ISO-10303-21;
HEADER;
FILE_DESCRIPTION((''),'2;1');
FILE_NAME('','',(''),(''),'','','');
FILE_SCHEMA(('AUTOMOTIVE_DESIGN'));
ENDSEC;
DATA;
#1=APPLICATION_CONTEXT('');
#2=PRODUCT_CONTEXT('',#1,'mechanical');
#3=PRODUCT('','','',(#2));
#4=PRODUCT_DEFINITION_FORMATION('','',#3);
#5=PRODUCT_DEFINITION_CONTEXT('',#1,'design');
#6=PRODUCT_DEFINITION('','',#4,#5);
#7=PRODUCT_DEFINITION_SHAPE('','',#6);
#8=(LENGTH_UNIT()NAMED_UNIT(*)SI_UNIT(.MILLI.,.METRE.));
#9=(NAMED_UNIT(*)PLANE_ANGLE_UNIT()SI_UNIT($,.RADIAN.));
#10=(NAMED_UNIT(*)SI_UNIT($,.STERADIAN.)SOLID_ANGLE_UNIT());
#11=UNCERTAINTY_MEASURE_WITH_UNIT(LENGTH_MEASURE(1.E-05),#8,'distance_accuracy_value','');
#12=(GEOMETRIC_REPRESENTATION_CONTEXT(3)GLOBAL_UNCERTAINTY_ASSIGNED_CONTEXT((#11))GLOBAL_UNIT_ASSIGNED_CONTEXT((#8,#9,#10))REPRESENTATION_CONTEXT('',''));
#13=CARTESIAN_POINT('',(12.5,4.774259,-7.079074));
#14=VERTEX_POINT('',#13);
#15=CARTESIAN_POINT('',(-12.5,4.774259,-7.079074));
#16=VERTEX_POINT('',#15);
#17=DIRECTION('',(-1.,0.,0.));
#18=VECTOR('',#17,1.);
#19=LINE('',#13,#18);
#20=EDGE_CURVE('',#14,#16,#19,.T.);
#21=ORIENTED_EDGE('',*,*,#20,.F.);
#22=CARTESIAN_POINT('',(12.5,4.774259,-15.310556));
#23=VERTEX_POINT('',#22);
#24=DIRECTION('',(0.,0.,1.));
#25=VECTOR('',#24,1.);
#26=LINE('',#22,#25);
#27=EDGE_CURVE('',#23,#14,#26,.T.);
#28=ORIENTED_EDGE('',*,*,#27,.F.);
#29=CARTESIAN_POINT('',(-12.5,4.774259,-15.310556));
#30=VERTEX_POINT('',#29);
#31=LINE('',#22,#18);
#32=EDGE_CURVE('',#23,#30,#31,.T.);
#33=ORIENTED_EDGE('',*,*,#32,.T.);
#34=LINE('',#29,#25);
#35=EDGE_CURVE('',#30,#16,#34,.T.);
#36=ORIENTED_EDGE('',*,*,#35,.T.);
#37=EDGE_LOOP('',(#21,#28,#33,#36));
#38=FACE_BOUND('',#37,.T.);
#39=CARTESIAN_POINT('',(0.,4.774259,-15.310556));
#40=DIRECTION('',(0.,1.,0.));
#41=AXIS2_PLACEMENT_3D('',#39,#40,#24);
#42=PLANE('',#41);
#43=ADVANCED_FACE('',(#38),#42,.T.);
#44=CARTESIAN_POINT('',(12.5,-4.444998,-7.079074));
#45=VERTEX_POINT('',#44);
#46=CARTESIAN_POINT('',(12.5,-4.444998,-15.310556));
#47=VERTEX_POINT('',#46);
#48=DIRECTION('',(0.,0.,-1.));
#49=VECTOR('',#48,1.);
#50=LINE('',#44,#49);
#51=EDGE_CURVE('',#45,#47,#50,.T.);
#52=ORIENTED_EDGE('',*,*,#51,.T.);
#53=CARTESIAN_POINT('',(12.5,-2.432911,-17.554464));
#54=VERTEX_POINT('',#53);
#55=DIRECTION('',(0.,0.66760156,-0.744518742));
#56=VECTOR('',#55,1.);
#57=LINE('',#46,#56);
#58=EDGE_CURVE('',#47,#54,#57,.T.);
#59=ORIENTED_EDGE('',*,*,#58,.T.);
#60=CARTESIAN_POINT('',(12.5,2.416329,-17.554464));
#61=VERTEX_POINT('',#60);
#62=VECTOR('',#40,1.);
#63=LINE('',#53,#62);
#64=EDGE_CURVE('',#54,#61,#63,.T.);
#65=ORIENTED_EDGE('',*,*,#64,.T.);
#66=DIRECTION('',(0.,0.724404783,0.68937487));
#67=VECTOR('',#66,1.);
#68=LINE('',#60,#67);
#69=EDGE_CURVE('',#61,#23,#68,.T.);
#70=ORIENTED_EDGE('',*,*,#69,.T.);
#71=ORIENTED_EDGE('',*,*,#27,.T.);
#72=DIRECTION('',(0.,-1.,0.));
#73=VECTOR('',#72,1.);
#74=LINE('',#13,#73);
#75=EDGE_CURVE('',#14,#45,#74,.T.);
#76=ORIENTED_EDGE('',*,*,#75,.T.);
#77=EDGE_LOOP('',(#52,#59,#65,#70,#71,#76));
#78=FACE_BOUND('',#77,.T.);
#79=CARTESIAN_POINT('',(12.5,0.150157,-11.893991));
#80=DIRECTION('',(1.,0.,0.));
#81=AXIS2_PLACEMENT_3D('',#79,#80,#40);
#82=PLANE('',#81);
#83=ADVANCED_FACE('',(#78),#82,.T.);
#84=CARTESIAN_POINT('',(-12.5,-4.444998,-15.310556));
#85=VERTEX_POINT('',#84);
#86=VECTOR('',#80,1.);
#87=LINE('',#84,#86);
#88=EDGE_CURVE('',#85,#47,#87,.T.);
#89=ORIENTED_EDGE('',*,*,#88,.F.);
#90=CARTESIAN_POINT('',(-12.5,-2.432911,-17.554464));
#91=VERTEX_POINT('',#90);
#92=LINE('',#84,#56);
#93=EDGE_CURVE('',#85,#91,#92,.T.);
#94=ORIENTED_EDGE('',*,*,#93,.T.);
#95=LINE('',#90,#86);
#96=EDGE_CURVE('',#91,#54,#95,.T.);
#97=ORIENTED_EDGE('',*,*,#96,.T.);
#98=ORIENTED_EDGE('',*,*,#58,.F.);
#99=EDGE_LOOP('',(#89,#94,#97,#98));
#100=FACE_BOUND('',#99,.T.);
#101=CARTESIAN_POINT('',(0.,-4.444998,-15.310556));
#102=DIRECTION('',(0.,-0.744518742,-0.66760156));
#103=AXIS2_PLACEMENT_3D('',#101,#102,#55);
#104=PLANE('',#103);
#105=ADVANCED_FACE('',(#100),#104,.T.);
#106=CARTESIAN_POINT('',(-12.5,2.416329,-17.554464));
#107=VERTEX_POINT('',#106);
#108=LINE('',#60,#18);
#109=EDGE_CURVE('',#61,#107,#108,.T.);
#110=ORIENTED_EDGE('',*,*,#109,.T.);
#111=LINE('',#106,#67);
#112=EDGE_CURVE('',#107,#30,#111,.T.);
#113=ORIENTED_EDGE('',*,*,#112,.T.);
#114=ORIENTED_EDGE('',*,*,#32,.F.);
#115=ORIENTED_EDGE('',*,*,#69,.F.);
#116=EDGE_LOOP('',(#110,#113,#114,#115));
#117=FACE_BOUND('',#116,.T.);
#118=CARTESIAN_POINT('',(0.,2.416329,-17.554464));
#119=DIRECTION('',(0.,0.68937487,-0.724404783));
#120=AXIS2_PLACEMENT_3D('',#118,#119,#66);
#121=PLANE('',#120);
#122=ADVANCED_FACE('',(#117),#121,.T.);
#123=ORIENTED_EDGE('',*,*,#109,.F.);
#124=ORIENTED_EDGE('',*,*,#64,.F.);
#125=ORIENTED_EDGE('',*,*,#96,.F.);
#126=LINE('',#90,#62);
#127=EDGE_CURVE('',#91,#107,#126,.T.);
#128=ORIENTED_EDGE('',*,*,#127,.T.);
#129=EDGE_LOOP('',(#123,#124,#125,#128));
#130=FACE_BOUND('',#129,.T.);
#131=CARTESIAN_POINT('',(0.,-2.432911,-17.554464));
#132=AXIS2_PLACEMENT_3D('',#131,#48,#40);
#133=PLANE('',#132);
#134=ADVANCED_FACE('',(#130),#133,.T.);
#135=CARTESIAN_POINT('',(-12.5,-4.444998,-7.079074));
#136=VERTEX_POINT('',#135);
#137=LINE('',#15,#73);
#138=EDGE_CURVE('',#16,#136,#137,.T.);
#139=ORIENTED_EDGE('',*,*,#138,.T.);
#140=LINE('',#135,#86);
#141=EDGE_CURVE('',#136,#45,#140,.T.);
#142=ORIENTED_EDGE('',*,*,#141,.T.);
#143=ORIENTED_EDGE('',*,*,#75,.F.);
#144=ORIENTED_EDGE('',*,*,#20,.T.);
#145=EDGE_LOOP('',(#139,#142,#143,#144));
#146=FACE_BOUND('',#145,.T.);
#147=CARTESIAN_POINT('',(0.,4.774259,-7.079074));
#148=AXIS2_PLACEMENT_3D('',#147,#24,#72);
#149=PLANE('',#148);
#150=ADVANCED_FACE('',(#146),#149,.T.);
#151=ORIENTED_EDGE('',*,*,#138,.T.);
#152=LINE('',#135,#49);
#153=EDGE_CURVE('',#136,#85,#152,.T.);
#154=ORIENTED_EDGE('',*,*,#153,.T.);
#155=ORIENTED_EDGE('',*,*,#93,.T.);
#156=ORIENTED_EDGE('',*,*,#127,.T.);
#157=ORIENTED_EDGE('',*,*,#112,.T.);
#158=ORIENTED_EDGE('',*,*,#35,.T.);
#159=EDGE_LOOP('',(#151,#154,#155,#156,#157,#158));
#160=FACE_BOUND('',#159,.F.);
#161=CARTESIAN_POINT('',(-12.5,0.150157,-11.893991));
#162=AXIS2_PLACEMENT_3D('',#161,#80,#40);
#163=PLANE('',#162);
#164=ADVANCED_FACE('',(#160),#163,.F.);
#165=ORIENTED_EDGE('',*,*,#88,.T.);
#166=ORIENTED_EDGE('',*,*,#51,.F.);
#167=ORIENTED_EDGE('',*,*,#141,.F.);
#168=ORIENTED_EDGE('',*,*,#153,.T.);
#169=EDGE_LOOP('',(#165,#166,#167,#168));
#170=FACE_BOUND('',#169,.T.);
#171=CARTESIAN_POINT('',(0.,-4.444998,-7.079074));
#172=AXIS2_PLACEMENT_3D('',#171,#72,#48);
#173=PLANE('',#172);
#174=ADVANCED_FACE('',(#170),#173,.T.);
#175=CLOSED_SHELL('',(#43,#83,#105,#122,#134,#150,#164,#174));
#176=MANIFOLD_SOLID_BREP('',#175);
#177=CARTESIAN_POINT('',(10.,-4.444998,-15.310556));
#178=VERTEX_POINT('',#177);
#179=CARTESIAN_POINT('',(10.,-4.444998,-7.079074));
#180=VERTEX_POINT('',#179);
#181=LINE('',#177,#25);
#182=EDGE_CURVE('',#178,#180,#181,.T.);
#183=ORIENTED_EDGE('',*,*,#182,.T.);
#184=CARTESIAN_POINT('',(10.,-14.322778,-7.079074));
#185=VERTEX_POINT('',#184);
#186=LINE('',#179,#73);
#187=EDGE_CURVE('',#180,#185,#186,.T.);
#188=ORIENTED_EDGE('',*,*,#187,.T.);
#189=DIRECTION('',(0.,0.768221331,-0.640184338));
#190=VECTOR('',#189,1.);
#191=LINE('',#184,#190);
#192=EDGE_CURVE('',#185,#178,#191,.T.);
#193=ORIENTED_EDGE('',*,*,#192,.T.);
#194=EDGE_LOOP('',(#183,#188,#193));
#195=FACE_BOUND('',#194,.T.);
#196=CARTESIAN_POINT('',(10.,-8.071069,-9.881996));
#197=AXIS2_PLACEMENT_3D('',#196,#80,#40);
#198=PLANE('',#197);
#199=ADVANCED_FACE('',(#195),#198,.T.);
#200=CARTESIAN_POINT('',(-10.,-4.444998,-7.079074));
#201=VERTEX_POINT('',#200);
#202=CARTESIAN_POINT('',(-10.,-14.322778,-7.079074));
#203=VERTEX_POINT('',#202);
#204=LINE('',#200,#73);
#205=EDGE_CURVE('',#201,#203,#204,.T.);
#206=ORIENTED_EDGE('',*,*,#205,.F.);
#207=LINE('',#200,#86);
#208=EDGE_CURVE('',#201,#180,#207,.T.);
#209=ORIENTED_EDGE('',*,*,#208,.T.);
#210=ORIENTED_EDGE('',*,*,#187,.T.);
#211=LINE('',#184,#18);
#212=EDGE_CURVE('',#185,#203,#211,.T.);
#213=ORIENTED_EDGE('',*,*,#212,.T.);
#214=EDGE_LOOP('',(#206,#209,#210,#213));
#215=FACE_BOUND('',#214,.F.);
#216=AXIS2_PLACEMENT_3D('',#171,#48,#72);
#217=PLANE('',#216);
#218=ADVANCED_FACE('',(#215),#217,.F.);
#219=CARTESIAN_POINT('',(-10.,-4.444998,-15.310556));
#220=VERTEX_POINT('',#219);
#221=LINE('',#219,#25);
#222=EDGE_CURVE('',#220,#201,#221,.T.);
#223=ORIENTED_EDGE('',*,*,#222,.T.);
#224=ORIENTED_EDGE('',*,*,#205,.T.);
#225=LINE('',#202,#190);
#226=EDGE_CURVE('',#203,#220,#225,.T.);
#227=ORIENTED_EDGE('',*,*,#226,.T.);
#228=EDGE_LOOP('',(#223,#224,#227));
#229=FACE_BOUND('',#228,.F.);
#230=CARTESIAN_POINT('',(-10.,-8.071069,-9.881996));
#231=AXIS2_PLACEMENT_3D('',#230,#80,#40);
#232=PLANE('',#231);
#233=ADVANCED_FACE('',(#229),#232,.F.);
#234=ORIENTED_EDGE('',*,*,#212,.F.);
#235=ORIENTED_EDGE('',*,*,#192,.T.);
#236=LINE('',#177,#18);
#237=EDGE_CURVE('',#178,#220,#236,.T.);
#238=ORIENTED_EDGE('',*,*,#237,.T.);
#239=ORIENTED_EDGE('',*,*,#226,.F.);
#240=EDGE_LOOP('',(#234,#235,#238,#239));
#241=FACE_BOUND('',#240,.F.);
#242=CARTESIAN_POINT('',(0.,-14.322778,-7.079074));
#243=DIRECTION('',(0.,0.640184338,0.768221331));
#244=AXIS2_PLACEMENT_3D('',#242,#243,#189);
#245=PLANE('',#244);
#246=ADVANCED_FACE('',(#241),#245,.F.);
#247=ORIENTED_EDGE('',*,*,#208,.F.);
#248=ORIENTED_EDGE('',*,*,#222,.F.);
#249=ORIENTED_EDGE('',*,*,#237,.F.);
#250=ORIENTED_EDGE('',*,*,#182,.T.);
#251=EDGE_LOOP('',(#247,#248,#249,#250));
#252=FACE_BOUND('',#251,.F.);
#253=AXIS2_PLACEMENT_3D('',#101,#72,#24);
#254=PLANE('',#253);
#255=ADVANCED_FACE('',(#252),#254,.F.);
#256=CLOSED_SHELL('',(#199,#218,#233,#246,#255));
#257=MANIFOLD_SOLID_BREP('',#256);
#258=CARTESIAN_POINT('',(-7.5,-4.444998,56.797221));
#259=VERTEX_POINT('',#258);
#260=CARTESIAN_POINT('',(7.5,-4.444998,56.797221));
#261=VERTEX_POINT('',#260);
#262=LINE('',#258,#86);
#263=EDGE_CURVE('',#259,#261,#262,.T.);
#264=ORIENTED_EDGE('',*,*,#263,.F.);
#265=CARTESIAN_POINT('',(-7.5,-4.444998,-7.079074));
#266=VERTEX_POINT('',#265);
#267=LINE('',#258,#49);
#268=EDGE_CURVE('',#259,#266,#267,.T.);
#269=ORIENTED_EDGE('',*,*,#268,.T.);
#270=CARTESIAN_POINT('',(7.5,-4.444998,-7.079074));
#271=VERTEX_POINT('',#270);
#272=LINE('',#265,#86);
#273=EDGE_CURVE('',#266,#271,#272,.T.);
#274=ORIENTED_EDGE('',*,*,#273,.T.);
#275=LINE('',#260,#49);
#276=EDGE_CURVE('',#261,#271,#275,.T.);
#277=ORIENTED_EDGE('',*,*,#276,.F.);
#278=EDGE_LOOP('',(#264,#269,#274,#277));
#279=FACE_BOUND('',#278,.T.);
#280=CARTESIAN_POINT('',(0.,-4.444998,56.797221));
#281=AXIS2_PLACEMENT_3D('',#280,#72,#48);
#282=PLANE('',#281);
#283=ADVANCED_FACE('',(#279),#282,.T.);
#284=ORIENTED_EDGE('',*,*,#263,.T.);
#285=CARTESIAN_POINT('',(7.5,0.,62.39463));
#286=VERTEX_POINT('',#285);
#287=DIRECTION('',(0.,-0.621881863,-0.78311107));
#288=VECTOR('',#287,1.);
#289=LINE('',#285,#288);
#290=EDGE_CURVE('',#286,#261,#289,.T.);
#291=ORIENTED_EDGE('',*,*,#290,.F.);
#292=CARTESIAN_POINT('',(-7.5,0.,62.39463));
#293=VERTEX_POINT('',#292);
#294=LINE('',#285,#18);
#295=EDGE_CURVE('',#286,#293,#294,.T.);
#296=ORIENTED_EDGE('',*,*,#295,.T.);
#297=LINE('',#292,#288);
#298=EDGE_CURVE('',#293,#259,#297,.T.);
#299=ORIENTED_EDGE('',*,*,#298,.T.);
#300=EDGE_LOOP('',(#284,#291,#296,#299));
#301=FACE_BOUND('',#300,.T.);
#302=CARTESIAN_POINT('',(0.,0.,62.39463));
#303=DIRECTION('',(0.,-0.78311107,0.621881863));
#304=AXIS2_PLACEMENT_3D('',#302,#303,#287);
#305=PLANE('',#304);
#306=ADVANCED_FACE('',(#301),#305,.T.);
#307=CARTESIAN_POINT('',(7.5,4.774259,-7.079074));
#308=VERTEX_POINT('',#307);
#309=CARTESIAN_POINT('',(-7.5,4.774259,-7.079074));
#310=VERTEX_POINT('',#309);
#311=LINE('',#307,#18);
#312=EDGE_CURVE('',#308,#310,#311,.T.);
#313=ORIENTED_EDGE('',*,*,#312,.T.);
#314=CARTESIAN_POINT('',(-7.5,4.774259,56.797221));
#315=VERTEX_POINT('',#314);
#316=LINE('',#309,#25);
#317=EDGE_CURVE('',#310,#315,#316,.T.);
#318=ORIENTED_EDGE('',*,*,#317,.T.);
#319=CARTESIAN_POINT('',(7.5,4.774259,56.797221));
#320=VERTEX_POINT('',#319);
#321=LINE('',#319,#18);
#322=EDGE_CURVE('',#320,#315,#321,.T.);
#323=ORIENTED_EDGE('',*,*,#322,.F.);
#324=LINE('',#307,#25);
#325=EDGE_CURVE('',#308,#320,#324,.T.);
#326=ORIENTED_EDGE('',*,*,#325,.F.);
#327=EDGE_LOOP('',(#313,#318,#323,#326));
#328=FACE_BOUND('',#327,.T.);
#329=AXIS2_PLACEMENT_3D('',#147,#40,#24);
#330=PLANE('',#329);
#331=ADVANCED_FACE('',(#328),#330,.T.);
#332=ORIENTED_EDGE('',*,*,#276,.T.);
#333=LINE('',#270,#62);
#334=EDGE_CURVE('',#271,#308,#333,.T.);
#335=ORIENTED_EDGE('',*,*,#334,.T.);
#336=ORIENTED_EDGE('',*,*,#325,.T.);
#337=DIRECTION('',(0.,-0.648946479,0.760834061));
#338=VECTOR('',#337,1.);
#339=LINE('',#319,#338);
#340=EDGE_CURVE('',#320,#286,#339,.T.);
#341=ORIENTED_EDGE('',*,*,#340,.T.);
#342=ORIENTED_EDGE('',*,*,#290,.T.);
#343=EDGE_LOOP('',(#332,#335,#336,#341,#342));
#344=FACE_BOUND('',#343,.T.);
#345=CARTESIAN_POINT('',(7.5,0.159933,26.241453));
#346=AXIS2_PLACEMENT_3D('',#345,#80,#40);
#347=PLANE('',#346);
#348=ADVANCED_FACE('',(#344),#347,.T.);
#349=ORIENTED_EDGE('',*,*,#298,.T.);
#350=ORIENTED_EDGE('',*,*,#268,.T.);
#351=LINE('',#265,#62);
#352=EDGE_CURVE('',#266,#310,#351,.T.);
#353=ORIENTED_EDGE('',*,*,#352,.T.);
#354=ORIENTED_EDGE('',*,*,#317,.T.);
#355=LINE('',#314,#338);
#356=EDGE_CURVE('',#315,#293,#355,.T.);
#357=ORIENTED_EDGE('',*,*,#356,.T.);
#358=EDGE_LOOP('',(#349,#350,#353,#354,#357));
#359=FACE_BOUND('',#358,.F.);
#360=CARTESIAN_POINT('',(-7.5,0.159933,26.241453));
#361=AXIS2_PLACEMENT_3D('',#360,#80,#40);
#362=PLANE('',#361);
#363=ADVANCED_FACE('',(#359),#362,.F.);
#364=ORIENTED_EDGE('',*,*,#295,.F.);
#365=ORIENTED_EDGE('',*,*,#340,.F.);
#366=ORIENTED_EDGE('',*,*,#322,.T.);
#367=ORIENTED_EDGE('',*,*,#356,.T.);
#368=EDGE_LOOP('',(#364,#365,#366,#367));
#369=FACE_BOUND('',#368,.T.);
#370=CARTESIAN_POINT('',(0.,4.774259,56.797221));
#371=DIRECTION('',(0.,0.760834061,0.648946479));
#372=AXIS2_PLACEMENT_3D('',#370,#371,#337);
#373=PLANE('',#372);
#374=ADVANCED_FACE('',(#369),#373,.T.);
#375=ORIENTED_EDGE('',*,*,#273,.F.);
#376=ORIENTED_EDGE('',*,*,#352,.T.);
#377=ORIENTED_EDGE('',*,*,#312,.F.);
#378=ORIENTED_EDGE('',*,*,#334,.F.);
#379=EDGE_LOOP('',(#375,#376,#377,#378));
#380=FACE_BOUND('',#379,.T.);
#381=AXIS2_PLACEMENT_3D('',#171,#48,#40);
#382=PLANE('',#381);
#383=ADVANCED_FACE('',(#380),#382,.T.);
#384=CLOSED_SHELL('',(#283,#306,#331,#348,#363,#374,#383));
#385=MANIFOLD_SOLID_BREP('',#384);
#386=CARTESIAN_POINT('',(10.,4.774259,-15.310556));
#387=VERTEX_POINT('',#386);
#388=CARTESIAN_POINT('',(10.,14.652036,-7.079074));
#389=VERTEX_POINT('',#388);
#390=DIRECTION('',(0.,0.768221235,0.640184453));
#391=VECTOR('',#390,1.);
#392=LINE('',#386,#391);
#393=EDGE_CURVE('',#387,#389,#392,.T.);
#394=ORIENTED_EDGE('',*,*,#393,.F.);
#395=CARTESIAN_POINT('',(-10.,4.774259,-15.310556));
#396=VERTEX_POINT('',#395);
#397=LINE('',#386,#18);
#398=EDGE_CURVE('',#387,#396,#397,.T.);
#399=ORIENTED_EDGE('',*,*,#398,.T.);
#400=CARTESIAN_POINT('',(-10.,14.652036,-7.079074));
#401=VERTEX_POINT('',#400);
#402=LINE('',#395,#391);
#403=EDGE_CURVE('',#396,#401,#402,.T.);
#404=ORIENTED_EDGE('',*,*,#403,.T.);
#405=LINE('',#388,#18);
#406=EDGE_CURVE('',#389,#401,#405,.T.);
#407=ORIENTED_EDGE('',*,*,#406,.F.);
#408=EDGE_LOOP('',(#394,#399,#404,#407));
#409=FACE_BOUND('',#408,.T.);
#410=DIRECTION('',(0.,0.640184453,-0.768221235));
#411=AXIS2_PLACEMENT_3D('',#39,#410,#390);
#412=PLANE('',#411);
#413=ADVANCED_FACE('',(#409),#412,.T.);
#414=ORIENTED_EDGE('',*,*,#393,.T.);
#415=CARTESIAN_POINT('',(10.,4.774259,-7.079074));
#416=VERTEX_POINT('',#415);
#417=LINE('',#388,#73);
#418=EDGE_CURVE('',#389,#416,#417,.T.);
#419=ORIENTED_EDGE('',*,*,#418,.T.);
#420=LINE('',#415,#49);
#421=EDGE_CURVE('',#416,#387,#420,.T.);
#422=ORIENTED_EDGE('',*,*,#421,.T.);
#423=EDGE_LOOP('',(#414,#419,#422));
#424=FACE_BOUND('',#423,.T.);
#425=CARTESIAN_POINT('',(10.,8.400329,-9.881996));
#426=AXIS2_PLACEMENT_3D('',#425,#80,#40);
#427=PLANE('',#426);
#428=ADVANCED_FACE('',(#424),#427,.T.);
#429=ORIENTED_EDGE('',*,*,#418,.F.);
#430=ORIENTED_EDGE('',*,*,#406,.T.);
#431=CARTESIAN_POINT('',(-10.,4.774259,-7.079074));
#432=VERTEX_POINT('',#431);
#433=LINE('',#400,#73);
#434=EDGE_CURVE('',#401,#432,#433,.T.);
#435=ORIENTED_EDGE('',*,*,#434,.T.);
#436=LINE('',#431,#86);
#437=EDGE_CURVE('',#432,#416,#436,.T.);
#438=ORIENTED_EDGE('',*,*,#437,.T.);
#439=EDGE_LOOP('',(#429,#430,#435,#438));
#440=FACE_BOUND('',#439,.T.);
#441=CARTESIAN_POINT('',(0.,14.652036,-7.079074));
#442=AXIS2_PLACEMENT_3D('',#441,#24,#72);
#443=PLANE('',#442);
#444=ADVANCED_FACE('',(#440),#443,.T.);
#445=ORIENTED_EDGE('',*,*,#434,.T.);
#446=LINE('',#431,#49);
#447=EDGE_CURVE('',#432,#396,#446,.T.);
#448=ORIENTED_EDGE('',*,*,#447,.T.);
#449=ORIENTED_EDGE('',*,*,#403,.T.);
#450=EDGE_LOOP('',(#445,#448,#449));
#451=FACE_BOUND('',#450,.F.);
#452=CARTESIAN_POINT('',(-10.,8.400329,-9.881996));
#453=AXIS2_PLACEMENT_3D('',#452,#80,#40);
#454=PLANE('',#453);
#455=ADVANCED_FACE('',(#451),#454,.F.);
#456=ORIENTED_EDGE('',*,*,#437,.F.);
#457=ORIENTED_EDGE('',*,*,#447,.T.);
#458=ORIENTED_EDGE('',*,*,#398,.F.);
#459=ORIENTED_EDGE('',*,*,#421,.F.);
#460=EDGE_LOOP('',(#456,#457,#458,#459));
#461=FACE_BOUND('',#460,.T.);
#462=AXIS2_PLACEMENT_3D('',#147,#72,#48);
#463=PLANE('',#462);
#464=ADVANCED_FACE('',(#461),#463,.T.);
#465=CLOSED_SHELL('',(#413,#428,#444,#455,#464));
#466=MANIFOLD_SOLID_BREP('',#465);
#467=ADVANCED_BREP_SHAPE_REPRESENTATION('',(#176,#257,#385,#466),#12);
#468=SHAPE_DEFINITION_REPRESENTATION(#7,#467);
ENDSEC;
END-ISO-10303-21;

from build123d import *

# Parameters (mm, degrees)
F1_DEPTH = 7.5
F2_DEPTH = 10
F3_DEPTH = 12.5


with BuildPart() as f1:
    # F0 (on Right) → F1 (new body, symmetric)
    with BuildSketch(Plane.YZ):
        Polygon((0, 62.39463), (-4.444998, 56.797221), (-4.444998, -7.079074), (4.774259, -7.079074), (4.774259, 56.797221), align=None)
    extrude(amount=F1_DEPTH, both=True)


with BuildPart() as f2:
    # F0 (on Right) → F2 (new body, symmetric)
    with BuildSketch(Plane.YZ):
        Polygon((-4.444998, -15.310556), (-4.444998, -7.079074), (-14.322778, -7.079074), align=None)
        Polygon((14.652036, -7.079074), (4.774259, -7.079074), (4.774259, -15.310556), align=None)
    extrude(amount=F2_DEPTH, both=True)


with BuildPart() as f3:
    # F0 (on Right) → F3 (new body, symmetric)
    with BuildSketch(Plane.YZ):
        Polygon((4.774259, -7.079074), (-4.444998, -7.079074), (-4.444998, -15.310556), (-2.432911, -17.554464), (2.416329, -17.554464), (4.774259, -15.310556), align=None)
    extrude(amount=F3_DEPTH, both=True)


solid = Compound([f1.part, f2.part, f3.part])
